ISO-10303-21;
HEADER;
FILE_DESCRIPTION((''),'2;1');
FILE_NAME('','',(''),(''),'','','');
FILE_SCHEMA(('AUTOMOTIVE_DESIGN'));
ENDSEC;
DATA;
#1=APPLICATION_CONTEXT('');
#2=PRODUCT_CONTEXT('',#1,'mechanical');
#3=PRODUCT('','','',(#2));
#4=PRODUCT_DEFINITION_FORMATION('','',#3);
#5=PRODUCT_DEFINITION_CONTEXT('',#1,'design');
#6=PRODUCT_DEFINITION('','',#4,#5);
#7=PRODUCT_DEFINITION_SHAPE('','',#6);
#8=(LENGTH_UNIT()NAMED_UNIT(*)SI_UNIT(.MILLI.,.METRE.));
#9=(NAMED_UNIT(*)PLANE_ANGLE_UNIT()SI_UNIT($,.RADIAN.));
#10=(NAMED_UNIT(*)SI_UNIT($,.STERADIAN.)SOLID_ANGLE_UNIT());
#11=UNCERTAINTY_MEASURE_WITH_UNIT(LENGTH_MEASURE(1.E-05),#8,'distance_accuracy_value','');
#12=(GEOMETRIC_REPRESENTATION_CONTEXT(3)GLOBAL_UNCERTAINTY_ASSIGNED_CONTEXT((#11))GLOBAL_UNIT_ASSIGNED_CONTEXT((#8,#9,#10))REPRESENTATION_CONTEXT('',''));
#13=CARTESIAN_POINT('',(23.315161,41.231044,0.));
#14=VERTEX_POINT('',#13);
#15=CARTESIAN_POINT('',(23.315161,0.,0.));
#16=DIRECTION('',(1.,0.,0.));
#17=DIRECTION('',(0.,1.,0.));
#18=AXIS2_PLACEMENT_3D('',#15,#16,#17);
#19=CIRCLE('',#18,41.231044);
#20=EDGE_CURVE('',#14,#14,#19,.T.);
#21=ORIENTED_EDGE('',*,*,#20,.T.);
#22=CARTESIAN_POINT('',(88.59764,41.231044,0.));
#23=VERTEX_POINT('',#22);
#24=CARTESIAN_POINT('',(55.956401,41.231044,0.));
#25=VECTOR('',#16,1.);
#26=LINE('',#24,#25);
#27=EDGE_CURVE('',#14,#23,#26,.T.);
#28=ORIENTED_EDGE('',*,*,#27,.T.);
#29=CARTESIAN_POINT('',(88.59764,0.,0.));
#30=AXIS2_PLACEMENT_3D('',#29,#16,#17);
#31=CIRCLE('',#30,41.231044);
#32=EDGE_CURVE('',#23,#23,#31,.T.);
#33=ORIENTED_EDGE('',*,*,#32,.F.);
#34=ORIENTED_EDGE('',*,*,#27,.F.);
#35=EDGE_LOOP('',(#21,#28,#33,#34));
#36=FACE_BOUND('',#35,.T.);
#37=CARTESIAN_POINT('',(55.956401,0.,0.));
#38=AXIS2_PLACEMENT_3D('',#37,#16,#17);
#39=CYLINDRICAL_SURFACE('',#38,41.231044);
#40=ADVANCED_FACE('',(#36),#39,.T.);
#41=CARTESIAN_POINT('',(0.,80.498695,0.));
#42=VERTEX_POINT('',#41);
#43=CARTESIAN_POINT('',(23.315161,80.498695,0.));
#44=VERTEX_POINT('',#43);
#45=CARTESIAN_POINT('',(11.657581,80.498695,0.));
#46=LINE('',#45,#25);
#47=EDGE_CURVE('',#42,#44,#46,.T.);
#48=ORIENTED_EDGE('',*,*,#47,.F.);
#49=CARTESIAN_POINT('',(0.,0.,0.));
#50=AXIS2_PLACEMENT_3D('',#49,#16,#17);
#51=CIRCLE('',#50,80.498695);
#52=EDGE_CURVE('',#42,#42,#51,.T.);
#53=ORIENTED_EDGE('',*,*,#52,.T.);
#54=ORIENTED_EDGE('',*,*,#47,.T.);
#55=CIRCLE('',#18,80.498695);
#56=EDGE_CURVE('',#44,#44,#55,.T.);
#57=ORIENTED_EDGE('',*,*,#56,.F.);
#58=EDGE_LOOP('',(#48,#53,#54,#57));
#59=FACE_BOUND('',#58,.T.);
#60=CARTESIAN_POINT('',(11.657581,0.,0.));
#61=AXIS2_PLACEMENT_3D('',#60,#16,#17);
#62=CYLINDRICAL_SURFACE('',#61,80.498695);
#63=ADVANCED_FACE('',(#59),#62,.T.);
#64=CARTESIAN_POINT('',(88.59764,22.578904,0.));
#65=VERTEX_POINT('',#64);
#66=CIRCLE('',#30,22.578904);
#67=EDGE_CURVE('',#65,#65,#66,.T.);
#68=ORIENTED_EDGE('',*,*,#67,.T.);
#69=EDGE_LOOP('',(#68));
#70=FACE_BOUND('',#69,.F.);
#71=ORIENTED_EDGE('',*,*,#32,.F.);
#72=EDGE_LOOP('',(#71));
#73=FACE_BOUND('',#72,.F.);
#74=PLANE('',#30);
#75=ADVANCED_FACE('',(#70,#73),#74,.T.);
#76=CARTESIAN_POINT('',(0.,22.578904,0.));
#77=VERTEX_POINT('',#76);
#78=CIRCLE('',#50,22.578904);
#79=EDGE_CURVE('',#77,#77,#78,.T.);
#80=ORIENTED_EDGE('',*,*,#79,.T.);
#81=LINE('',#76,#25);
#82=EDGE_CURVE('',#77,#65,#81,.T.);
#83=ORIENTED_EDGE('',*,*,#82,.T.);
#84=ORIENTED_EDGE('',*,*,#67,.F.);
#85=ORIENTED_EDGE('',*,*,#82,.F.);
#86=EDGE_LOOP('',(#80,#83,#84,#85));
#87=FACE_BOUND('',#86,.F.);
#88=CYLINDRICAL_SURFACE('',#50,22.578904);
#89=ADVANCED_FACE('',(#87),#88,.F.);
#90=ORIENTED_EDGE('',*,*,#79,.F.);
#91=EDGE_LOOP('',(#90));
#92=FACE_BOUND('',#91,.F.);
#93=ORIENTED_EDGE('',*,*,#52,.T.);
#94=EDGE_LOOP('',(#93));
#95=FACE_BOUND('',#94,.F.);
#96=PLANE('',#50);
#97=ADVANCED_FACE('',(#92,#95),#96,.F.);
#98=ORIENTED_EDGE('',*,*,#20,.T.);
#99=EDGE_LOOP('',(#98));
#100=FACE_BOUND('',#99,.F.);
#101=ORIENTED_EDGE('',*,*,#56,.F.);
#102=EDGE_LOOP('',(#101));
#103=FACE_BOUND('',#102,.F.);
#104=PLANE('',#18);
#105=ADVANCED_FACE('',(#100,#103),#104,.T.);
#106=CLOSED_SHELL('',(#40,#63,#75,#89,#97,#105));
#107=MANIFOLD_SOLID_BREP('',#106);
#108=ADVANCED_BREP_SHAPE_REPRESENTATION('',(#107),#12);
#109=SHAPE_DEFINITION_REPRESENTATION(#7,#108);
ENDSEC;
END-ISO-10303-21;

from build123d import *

# Parameters (mm, degrees)
F0_W   = 23.3151614666
F0_H   = 39.2676517367
F0_H_2 = 18.6521392316
F0_W_2 = 65.2824789286


with BuildPart() as f1:
    # F0 (on Top) → F1 (revolve)
    with BuildSketch(Plane.XY):
        with Locations((11.6575807333, 60.8648695052)):
            Rectangle(F0_W, F0_H)
        with Locations((11.6575807333, 31.904974021)):
            Rectangle(F0_W, F0_H_2)
        with Locations((55.9564009309, 31.904974021)):
            Rectangle(F0_W_2, F0_H_2)
    revolve(axis=Axis((44.2988201976, 0, 0), (1, 0, 0)))


solid = f1.part
